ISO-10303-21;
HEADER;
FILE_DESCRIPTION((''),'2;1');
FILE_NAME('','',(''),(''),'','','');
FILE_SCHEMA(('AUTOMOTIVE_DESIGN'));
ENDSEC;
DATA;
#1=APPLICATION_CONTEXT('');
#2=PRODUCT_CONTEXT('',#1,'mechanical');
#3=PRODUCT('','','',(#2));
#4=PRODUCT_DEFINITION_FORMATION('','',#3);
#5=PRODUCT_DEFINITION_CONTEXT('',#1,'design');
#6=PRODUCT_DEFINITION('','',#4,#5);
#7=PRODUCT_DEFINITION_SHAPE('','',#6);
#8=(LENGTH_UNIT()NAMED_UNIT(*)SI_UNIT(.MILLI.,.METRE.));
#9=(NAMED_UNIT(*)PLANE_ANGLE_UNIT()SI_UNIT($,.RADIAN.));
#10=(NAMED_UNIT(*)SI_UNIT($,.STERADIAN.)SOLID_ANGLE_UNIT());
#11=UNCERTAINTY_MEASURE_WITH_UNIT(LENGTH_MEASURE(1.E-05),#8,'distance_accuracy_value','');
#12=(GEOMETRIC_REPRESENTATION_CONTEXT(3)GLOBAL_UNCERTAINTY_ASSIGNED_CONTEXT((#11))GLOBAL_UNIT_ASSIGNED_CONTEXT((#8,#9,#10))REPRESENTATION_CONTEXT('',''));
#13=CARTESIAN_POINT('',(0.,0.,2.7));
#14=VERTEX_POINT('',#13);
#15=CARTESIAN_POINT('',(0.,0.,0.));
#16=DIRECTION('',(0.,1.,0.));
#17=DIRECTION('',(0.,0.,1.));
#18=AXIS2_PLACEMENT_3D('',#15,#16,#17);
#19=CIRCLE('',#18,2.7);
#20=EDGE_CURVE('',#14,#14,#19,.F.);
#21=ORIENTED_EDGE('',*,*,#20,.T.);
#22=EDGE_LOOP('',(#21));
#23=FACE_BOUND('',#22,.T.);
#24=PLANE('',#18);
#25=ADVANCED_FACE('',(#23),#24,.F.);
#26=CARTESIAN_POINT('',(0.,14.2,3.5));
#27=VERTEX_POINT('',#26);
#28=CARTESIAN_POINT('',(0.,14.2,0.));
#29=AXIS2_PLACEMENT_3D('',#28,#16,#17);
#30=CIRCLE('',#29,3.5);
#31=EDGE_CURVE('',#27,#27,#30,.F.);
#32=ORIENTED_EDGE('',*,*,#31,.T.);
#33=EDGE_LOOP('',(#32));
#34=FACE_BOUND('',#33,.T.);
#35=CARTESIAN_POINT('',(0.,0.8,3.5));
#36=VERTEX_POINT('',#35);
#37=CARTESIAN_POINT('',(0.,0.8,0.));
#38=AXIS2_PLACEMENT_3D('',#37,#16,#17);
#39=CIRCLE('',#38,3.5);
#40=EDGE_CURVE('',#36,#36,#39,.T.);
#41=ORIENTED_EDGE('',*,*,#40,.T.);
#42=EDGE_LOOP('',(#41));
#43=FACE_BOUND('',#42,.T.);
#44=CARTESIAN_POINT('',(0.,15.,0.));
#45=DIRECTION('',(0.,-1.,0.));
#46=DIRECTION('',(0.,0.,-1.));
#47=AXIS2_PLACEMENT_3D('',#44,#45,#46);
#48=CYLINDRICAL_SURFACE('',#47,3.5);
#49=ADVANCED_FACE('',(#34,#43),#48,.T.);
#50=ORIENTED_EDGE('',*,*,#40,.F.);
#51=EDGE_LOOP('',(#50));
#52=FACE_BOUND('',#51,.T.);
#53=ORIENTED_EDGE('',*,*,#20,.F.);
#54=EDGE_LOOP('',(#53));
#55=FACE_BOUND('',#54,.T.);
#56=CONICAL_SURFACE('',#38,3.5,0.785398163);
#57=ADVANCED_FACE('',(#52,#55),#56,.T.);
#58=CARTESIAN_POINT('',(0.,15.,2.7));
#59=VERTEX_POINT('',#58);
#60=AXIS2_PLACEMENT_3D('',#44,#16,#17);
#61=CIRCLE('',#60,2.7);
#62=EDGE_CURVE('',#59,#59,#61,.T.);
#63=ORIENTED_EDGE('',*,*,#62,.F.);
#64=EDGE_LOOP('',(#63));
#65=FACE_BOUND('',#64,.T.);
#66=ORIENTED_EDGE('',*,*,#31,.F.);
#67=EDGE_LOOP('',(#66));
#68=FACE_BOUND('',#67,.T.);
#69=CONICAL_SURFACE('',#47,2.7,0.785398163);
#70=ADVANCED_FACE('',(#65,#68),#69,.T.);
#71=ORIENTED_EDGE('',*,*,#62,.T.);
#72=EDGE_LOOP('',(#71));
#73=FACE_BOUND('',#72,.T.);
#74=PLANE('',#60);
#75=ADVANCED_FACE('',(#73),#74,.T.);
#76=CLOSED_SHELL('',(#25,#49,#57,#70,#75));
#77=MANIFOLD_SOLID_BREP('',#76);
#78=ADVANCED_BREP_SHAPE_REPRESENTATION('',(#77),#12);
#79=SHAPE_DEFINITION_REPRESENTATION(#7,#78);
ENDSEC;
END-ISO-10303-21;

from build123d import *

# Parameters (mm, degrees)
SKETCH1_R           = 3.5
BOSS_EXTRUDE1_DEPTH = 15
CHAMFER1_SIZE       = 0.8


with BuildPart() as part:
    # Sketch1 → Boss-Extrude1 (new body)
    with BuildSketch(Plane(origin=(0, 0, 0), x_dir=(1, 0, 0), z_dir=(0, 1, 0))):
        with Locations(Location((0, 0, 0), (0, 0, 270))):
            Circle(SKETCH1_R)
    extrude(amount=BOSS_EXTRUDE1_DEPTH)

    # Chamfer1
    chamfer1_edges = [part.edges().sort_by_distance(p)[0] for p in [
        (0, 0, -3.5),
        (0, 15, -3.5),
    ]]
    chamfer(chamfer1_edges, length=CHAMFER1_SIZE)


solid = part.part
